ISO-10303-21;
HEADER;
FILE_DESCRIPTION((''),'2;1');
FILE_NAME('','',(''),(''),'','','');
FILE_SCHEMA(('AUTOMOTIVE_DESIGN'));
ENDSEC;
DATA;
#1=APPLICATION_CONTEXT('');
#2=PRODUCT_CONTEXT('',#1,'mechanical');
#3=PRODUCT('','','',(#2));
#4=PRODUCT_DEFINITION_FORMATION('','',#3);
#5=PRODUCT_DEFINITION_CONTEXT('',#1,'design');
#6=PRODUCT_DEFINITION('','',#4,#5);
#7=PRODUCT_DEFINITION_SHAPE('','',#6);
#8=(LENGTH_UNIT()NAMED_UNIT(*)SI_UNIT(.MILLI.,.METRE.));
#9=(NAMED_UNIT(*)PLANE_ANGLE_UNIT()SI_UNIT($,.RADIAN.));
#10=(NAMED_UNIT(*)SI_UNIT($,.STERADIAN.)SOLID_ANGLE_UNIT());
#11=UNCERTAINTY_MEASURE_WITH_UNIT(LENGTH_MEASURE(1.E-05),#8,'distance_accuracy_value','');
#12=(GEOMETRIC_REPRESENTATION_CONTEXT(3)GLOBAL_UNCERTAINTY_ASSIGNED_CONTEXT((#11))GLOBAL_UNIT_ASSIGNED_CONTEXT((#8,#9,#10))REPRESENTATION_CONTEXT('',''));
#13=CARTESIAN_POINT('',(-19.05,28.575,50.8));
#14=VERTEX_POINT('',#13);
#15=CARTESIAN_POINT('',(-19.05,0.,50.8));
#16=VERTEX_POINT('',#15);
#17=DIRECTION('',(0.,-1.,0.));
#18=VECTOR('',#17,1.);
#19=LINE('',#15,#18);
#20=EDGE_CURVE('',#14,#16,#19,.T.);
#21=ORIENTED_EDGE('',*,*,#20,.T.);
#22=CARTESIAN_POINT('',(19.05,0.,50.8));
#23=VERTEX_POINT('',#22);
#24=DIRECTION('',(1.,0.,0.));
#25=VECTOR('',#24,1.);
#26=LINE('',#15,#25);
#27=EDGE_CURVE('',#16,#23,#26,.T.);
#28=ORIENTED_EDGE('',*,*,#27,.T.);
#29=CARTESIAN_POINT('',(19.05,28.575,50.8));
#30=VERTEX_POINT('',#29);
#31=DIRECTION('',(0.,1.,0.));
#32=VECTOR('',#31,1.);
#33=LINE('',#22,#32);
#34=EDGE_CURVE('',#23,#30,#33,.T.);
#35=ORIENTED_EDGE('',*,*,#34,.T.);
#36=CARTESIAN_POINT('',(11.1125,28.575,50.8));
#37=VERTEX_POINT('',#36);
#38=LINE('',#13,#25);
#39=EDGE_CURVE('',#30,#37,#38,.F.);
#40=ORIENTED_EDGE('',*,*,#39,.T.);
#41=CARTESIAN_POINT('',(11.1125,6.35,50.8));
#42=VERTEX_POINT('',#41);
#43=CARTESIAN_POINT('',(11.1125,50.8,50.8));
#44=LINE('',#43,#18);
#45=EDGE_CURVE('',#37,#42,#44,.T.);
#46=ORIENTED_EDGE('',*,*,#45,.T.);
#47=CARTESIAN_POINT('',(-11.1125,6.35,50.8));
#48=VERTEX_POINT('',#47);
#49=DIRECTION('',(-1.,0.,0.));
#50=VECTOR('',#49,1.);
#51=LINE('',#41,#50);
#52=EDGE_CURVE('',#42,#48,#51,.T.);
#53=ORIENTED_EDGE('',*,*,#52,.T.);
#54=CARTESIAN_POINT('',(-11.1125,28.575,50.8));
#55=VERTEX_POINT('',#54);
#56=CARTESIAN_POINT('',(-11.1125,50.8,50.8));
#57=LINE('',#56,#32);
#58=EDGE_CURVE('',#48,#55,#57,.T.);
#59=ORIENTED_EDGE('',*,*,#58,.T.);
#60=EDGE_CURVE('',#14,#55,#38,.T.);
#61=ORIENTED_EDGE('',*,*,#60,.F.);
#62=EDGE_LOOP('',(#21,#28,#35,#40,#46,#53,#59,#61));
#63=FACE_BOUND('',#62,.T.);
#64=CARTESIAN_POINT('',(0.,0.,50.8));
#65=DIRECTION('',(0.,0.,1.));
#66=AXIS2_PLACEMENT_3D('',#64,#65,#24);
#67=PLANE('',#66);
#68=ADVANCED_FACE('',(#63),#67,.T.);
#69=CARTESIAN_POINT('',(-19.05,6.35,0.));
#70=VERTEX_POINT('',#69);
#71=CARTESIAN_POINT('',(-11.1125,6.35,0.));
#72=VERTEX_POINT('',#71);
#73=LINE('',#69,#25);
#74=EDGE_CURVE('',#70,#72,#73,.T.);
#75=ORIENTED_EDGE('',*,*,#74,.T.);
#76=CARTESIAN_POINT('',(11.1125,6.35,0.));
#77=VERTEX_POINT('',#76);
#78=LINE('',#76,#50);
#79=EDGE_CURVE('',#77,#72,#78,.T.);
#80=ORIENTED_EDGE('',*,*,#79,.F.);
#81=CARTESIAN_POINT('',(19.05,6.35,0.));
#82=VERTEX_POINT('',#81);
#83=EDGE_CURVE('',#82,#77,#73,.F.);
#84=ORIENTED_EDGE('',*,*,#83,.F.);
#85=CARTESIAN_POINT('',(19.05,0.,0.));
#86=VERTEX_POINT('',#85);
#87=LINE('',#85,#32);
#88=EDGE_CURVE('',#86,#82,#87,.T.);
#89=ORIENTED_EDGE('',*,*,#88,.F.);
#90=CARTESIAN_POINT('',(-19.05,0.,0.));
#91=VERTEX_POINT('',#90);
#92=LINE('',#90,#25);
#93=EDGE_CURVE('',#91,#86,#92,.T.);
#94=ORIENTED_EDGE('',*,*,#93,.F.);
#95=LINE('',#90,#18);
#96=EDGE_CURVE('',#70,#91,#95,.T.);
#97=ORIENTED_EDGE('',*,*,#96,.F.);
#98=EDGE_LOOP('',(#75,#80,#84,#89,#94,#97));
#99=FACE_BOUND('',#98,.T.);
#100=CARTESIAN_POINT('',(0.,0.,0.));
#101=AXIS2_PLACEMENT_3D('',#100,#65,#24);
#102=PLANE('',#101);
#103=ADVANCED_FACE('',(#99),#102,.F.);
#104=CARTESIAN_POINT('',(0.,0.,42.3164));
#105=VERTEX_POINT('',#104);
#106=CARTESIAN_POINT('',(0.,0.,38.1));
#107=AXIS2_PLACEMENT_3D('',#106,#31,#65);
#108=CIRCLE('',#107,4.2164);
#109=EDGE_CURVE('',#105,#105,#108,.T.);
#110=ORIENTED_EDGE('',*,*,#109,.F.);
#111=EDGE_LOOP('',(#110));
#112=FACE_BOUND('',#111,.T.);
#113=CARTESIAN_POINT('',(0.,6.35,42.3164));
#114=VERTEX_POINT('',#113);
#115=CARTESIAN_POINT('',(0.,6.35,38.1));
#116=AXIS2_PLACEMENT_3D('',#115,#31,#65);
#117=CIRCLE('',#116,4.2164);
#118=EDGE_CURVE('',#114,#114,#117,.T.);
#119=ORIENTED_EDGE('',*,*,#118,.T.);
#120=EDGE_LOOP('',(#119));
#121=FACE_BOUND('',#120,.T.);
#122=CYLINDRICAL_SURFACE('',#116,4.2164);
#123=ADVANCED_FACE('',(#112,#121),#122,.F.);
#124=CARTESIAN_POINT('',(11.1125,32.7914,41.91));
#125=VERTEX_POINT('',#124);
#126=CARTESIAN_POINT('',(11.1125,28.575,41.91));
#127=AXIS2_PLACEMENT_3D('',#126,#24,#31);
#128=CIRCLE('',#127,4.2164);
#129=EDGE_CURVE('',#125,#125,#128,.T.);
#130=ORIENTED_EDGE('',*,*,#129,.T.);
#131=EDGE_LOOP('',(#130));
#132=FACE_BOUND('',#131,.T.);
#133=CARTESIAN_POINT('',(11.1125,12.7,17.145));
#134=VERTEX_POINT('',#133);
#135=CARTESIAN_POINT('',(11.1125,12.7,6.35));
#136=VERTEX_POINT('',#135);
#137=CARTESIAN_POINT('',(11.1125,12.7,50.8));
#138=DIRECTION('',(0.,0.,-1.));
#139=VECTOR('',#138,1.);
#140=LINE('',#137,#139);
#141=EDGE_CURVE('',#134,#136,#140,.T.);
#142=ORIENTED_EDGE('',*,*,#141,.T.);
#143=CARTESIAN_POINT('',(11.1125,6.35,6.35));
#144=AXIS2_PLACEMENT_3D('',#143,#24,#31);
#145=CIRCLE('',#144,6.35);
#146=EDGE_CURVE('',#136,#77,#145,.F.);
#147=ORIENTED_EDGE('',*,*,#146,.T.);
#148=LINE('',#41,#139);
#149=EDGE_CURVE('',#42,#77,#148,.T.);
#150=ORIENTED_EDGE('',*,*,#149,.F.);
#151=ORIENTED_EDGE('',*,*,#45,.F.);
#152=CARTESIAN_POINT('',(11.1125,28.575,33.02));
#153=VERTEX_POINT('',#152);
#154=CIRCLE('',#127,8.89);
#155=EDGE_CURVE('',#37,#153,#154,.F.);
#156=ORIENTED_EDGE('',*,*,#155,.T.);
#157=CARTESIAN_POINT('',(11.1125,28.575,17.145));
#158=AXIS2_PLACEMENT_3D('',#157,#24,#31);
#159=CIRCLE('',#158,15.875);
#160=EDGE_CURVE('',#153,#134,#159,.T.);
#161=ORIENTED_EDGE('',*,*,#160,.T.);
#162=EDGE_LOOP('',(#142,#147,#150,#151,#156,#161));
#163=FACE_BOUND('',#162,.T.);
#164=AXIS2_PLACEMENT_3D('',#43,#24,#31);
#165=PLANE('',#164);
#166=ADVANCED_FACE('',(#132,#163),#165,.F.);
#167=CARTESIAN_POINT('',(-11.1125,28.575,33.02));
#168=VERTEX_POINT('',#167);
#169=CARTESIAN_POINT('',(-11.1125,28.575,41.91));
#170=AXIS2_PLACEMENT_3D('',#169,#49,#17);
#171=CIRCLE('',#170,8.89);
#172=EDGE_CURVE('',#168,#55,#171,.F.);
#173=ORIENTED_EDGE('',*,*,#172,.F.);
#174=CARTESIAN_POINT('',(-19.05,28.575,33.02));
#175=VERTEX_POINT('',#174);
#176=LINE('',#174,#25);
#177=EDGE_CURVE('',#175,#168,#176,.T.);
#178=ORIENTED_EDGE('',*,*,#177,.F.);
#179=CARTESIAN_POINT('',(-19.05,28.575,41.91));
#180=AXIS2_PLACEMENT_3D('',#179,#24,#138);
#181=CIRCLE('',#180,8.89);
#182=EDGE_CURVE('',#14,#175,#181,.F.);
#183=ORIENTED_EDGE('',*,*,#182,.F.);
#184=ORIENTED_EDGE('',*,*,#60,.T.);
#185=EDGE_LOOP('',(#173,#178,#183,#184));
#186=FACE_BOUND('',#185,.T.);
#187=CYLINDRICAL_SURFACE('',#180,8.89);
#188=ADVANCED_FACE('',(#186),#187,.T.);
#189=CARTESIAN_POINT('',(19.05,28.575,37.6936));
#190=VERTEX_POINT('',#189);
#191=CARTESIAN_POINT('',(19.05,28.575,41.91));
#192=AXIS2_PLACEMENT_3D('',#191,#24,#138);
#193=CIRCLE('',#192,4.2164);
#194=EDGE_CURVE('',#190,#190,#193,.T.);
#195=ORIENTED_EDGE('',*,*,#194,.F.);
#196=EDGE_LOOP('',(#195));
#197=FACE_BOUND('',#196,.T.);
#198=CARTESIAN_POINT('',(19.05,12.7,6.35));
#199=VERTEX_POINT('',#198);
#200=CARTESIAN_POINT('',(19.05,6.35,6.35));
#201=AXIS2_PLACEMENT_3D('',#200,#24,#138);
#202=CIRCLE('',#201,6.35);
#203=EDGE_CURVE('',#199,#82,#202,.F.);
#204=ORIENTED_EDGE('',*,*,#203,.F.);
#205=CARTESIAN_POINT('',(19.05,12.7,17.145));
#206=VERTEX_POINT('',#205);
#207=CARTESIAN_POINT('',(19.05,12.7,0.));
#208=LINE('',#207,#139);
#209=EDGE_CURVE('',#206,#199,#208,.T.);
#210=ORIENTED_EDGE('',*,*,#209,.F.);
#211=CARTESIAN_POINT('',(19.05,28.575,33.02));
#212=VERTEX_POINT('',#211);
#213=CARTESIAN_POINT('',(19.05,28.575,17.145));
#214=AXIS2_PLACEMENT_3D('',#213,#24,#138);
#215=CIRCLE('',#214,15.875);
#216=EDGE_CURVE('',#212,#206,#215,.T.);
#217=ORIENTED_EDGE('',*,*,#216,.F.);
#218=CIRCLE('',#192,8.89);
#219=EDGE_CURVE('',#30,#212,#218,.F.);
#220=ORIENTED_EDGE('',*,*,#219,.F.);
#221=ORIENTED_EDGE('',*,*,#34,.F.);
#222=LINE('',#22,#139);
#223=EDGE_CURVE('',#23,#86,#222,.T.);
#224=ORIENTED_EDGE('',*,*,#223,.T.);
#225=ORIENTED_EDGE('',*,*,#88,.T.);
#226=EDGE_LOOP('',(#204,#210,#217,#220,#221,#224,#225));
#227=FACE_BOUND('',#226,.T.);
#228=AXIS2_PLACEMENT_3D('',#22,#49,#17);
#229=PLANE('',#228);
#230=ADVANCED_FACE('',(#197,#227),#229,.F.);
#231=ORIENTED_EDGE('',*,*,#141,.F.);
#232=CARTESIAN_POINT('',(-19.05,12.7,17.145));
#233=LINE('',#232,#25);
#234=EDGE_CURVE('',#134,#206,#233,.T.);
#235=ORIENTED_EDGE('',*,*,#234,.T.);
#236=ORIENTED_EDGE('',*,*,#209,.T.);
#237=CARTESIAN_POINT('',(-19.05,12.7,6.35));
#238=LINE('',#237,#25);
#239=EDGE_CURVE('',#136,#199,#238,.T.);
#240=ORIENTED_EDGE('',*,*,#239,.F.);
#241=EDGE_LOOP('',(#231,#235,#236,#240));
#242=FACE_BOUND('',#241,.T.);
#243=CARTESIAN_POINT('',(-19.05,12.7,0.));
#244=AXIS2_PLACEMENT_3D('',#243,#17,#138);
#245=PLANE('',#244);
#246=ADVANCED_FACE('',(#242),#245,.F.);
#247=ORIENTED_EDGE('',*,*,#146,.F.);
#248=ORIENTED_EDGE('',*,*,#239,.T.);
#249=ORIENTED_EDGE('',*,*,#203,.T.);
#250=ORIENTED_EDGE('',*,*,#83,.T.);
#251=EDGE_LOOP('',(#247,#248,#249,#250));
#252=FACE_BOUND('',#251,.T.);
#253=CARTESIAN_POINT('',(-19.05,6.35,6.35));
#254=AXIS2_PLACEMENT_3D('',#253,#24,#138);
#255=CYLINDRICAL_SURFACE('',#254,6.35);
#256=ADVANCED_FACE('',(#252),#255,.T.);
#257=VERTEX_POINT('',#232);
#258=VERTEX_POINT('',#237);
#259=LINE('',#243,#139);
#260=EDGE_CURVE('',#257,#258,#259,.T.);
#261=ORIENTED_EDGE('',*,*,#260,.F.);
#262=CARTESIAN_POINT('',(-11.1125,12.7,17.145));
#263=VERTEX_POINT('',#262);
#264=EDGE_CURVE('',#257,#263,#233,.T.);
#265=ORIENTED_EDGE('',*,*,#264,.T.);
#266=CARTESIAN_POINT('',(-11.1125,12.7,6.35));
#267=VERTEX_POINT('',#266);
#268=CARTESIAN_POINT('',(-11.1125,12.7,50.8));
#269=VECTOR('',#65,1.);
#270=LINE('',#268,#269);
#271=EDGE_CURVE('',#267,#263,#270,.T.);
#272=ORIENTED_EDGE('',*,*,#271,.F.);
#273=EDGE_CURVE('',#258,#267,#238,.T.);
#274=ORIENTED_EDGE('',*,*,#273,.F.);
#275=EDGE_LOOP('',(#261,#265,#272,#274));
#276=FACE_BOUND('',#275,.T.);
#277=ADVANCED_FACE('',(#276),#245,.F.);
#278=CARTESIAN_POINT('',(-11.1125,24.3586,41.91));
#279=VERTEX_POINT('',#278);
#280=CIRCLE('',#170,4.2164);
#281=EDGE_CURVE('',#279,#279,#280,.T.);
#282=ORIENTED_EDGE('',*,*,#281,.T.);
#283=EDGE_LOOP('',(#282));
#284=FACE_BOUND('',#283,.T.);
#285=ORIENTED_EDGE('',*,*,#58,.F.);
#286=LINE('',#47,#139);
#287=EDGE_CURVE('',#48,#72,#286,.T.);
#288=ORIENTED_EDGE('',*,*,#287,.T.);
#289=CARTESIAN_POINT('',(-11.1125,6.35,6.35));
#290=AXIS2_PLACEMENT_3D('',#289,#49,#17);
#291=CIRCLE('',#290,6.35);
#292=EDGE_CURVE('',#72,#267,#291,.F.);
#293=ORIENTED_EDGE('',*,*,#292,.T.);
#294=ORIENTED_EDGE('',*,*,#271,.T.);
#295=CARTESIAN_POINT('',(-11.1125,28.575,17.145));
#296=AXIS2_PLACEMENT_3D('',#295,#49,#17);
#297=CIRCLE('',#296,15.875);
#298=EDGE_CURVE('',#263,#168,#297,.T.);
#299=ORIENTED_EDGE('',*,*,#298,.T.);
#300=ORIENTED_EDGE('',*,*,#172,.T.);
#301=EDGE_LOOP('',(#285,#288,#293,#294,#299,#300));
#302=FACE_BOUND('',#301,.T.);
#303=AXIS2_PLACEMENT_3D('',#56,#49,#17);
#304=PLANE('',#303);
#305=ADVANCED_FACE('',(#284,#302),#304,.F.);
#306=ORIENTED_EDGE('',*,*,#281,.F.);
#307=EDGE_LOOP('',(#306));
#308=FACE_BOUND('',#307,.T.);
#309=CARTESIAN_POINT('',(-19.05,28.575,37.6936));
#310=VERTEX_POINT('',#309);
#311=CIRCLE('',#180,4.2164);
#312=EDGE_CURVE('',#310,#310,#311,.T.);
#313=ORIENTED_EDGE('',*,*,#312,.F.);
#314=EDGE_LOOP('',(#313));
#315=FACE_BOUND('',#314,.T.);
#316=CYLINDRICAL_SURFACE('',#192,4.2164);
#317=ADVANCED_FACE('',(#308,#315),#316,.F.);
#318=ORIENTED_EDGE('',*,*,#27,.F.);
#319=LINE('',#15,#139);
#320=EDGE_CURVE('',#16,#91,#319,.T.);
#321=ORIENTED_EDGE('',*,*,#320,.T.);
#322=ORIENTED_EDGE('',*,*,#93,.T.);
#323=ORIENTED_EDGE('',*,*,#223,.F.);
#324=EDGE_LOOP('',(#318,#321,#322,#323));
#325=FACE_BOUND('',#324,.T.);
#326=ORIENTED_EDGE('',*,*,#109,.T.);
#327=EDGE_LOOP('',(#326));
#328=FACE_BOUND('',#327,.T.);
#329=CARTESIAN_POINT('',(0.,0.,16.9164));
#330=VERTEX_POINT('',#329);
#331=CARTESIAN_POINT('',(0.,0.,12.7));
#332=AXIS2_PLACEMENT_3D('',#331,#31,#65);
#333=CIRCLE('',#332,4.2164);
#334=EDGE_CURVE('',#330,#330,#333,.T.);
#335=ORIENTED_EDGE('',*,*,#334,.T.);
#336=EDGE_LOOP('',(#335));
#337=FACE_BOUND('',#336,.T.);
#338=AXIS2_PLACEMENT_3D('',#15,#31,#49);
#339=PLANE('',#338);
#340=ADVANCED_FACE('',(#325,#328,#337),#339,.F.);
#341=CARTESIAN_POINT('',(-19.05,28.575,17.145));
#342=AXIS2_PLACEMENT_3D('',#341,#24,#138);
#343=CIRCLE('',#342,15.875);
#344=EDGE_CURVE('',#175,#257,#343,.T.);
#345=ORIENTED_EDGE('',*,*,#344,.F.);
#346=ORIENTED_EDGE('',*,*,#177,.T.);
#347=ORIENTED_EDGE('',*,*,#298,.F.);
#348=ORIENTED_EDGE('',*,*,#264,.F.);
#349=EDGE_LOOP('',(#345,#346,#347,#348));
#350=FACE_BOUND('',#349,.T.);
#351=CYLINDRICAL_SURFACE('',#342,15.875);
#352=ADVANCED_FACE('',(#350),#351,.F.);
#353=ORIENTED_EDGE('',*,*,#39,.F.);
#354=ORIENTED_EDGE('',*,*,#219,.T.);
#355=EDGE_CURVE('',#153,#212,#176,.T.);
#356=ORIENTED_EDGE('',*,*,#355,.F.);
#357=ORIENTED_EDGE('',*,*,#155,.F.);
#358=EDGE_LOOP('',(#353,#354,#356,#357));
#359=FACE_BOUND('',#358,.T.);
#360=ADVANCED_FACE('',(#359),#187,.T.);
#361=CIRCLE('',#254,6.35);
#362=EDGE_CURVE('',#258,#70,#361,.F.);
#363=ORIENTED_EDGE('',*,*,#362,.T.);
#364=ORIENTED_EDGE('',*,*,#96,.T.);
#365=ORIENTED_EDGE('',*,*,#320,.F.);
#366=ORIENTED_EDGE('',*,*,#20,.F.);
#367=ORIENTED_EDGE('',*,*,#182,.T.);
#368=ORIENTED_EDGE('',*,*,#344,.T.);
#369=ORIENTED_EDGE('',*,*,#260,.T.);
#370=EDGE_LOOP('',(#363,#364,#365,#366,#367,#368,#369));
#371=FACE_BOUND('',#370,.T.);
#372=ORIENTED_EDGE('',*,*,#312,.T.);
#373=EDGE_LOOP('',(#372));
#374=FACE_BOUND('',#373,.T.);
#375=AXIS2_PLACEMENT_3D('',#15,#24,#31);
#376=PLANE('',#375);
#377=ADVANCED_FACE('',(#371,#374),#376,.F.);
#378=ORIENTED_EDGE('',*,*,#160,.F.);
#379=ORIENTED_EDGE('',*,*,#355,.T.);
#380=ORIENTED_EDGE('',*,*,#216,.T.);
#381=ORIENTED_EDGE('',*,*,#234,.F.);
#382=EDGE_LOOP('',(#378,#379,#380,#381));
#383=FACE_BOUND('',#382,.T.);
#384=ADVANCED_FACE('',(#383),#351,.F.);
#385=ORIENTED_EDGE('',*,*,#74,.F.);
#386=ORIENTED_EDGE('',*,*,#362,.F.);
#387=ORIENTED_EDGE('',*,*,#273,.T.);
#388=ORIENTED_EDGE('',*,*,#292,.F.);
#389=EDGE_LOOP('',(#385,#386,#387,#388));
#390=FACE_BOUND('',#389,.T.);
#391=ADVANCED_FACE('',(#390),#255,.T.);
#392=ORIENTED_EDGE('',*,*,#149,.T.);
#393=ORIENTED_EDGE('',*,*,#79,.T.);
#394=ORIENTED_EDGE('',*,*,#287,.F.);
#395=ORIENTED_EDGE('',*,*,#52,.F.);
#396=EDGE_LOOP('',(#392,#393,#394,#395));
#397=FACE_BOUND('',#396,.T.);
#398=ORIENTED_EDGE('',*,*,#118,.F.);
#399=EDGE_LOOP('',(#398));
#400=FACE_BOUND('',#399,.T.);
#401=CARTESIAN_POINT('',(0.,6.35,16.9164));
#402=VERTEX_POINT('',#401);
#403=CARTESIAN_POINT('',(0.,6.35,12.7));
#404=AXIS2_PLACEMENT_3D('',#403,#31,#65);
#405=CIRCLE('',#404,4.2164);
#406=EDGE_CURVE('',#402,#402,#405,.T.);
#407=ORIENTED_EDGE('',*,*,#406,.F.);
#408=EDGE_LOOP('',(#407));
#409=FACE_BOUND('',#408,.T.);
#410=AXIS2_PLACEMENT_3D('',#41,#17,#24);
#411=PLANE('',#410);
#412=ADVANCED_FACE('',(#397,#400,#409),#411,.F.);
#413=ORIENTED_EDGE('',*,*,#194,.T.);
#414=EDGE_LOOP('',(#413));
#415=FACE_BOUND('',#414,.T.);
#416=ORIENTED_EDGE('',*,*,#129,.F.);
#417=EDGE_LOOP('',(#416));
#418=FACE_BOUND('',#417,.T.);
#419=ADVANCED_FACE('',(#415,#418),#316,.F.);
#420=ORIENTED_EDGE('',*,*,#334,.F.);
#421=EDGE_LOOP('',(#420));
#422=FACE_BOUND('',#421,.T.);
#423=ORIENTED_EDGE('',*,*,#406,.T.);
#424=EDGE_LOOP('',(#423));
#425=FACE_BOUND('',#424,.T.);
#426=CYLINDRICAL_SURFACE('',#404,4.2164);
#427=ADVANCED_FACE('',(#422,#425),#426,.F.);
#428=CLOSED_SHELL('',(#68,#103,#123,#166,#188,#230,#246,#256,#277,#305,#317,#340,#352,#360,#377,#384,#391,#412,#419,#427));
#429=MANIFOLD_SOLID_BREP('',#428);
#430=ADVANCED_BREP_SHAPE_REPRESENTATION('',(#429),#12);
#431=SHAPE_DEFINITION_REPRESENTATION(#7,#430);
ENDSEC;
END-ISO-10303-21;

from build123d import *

# Parameters (mm, degrees)
BOSS_EXTRUDE1_DEPTH      = 50.8
F_5_16_CLEARANCE_HOLE3_D = 8.4328
CUT_EXTRUDE2_DEPTH       = 20.05
CUT_EXTRUDE2_DEPTH_BACK  = 20.05
F_5_16_CLEARANCE_HOLE2_D = 8.4328


with BuildPart() as part:
    # Sketch1 → Boss-Extrude1 (new body)
    with BuildSketch(Plane.XY):
        Polygon((-19.05, 0), (19.05, 0), (19.05, 50.8), (11.1125, 50.8), (11.1125, 6.35), (-11.1125, 6.35), (-11.1125, 50.8), (-19.05, 50.8), align=None)
    extrude(amount=BOSS_EXTRUDE1_DEPTH)

    # 5/16 Clearance Hole3 (through all)
    with Locations(Plane(origin=(0, 6.35, 0), x_dir=(1, 0, 0), z_dir=(0, 1, 0))):
        with Locations((0, -38.1), (0, -12.7)):
            Hole(F_5_16_CLEARANCE_HOLE3_D / 2)

    # Sketch18 → Cut-Extrude2 (cut, two sides)
    with BuildSketch(Plane(origin=(0, 0, 0), x_dir=(0, 0, -1), z_dir=(1, 0, 0))) as cut_extrude2_sk:
        with BuildLine():
            Line((0, 50.8), (-50.8, 50.8))
            Line((-50.8, 50.8), (-50.8, 28.575))
            ThreePointArc((-50.8, 28.575), (-41.91, 37.465), (-33.02, 28.575))
            ThreePointArc((-33.02, 28.575), (-28.370320151, 17.349679849), (-17.145, 12.7))
            Line((-17.145, 12.7), (-6.35, 12.7))
            ThreePointArc((-6.35, 12.7), (-1.859871939, 10.840128061), (0, 6.35))
            Line((0, 6.35), (0, 50.8))
        make_face()
    extrude(amount=CUT_EXTRUDE2_DEPTH, mode=Mode.SUBTRACT)
    extrude(cut_extrude2_sk.sketch, amount=-CUT_EXTRUDE2_DEPTH_BACK, mode=Mode.SUBTRACT)

    # 5/16 Clearance Hole2 (through all)
    with Locations(Plane(origin=(19.05, 0, 0), x_dir=(0, 0, -1), z_dir=(1, 0, 0))):
        with Locations((-41.91, 28.575)):
            Hole(F_5_16_CLEARANCE_HOLE2_D / 2)


solid = part.part
